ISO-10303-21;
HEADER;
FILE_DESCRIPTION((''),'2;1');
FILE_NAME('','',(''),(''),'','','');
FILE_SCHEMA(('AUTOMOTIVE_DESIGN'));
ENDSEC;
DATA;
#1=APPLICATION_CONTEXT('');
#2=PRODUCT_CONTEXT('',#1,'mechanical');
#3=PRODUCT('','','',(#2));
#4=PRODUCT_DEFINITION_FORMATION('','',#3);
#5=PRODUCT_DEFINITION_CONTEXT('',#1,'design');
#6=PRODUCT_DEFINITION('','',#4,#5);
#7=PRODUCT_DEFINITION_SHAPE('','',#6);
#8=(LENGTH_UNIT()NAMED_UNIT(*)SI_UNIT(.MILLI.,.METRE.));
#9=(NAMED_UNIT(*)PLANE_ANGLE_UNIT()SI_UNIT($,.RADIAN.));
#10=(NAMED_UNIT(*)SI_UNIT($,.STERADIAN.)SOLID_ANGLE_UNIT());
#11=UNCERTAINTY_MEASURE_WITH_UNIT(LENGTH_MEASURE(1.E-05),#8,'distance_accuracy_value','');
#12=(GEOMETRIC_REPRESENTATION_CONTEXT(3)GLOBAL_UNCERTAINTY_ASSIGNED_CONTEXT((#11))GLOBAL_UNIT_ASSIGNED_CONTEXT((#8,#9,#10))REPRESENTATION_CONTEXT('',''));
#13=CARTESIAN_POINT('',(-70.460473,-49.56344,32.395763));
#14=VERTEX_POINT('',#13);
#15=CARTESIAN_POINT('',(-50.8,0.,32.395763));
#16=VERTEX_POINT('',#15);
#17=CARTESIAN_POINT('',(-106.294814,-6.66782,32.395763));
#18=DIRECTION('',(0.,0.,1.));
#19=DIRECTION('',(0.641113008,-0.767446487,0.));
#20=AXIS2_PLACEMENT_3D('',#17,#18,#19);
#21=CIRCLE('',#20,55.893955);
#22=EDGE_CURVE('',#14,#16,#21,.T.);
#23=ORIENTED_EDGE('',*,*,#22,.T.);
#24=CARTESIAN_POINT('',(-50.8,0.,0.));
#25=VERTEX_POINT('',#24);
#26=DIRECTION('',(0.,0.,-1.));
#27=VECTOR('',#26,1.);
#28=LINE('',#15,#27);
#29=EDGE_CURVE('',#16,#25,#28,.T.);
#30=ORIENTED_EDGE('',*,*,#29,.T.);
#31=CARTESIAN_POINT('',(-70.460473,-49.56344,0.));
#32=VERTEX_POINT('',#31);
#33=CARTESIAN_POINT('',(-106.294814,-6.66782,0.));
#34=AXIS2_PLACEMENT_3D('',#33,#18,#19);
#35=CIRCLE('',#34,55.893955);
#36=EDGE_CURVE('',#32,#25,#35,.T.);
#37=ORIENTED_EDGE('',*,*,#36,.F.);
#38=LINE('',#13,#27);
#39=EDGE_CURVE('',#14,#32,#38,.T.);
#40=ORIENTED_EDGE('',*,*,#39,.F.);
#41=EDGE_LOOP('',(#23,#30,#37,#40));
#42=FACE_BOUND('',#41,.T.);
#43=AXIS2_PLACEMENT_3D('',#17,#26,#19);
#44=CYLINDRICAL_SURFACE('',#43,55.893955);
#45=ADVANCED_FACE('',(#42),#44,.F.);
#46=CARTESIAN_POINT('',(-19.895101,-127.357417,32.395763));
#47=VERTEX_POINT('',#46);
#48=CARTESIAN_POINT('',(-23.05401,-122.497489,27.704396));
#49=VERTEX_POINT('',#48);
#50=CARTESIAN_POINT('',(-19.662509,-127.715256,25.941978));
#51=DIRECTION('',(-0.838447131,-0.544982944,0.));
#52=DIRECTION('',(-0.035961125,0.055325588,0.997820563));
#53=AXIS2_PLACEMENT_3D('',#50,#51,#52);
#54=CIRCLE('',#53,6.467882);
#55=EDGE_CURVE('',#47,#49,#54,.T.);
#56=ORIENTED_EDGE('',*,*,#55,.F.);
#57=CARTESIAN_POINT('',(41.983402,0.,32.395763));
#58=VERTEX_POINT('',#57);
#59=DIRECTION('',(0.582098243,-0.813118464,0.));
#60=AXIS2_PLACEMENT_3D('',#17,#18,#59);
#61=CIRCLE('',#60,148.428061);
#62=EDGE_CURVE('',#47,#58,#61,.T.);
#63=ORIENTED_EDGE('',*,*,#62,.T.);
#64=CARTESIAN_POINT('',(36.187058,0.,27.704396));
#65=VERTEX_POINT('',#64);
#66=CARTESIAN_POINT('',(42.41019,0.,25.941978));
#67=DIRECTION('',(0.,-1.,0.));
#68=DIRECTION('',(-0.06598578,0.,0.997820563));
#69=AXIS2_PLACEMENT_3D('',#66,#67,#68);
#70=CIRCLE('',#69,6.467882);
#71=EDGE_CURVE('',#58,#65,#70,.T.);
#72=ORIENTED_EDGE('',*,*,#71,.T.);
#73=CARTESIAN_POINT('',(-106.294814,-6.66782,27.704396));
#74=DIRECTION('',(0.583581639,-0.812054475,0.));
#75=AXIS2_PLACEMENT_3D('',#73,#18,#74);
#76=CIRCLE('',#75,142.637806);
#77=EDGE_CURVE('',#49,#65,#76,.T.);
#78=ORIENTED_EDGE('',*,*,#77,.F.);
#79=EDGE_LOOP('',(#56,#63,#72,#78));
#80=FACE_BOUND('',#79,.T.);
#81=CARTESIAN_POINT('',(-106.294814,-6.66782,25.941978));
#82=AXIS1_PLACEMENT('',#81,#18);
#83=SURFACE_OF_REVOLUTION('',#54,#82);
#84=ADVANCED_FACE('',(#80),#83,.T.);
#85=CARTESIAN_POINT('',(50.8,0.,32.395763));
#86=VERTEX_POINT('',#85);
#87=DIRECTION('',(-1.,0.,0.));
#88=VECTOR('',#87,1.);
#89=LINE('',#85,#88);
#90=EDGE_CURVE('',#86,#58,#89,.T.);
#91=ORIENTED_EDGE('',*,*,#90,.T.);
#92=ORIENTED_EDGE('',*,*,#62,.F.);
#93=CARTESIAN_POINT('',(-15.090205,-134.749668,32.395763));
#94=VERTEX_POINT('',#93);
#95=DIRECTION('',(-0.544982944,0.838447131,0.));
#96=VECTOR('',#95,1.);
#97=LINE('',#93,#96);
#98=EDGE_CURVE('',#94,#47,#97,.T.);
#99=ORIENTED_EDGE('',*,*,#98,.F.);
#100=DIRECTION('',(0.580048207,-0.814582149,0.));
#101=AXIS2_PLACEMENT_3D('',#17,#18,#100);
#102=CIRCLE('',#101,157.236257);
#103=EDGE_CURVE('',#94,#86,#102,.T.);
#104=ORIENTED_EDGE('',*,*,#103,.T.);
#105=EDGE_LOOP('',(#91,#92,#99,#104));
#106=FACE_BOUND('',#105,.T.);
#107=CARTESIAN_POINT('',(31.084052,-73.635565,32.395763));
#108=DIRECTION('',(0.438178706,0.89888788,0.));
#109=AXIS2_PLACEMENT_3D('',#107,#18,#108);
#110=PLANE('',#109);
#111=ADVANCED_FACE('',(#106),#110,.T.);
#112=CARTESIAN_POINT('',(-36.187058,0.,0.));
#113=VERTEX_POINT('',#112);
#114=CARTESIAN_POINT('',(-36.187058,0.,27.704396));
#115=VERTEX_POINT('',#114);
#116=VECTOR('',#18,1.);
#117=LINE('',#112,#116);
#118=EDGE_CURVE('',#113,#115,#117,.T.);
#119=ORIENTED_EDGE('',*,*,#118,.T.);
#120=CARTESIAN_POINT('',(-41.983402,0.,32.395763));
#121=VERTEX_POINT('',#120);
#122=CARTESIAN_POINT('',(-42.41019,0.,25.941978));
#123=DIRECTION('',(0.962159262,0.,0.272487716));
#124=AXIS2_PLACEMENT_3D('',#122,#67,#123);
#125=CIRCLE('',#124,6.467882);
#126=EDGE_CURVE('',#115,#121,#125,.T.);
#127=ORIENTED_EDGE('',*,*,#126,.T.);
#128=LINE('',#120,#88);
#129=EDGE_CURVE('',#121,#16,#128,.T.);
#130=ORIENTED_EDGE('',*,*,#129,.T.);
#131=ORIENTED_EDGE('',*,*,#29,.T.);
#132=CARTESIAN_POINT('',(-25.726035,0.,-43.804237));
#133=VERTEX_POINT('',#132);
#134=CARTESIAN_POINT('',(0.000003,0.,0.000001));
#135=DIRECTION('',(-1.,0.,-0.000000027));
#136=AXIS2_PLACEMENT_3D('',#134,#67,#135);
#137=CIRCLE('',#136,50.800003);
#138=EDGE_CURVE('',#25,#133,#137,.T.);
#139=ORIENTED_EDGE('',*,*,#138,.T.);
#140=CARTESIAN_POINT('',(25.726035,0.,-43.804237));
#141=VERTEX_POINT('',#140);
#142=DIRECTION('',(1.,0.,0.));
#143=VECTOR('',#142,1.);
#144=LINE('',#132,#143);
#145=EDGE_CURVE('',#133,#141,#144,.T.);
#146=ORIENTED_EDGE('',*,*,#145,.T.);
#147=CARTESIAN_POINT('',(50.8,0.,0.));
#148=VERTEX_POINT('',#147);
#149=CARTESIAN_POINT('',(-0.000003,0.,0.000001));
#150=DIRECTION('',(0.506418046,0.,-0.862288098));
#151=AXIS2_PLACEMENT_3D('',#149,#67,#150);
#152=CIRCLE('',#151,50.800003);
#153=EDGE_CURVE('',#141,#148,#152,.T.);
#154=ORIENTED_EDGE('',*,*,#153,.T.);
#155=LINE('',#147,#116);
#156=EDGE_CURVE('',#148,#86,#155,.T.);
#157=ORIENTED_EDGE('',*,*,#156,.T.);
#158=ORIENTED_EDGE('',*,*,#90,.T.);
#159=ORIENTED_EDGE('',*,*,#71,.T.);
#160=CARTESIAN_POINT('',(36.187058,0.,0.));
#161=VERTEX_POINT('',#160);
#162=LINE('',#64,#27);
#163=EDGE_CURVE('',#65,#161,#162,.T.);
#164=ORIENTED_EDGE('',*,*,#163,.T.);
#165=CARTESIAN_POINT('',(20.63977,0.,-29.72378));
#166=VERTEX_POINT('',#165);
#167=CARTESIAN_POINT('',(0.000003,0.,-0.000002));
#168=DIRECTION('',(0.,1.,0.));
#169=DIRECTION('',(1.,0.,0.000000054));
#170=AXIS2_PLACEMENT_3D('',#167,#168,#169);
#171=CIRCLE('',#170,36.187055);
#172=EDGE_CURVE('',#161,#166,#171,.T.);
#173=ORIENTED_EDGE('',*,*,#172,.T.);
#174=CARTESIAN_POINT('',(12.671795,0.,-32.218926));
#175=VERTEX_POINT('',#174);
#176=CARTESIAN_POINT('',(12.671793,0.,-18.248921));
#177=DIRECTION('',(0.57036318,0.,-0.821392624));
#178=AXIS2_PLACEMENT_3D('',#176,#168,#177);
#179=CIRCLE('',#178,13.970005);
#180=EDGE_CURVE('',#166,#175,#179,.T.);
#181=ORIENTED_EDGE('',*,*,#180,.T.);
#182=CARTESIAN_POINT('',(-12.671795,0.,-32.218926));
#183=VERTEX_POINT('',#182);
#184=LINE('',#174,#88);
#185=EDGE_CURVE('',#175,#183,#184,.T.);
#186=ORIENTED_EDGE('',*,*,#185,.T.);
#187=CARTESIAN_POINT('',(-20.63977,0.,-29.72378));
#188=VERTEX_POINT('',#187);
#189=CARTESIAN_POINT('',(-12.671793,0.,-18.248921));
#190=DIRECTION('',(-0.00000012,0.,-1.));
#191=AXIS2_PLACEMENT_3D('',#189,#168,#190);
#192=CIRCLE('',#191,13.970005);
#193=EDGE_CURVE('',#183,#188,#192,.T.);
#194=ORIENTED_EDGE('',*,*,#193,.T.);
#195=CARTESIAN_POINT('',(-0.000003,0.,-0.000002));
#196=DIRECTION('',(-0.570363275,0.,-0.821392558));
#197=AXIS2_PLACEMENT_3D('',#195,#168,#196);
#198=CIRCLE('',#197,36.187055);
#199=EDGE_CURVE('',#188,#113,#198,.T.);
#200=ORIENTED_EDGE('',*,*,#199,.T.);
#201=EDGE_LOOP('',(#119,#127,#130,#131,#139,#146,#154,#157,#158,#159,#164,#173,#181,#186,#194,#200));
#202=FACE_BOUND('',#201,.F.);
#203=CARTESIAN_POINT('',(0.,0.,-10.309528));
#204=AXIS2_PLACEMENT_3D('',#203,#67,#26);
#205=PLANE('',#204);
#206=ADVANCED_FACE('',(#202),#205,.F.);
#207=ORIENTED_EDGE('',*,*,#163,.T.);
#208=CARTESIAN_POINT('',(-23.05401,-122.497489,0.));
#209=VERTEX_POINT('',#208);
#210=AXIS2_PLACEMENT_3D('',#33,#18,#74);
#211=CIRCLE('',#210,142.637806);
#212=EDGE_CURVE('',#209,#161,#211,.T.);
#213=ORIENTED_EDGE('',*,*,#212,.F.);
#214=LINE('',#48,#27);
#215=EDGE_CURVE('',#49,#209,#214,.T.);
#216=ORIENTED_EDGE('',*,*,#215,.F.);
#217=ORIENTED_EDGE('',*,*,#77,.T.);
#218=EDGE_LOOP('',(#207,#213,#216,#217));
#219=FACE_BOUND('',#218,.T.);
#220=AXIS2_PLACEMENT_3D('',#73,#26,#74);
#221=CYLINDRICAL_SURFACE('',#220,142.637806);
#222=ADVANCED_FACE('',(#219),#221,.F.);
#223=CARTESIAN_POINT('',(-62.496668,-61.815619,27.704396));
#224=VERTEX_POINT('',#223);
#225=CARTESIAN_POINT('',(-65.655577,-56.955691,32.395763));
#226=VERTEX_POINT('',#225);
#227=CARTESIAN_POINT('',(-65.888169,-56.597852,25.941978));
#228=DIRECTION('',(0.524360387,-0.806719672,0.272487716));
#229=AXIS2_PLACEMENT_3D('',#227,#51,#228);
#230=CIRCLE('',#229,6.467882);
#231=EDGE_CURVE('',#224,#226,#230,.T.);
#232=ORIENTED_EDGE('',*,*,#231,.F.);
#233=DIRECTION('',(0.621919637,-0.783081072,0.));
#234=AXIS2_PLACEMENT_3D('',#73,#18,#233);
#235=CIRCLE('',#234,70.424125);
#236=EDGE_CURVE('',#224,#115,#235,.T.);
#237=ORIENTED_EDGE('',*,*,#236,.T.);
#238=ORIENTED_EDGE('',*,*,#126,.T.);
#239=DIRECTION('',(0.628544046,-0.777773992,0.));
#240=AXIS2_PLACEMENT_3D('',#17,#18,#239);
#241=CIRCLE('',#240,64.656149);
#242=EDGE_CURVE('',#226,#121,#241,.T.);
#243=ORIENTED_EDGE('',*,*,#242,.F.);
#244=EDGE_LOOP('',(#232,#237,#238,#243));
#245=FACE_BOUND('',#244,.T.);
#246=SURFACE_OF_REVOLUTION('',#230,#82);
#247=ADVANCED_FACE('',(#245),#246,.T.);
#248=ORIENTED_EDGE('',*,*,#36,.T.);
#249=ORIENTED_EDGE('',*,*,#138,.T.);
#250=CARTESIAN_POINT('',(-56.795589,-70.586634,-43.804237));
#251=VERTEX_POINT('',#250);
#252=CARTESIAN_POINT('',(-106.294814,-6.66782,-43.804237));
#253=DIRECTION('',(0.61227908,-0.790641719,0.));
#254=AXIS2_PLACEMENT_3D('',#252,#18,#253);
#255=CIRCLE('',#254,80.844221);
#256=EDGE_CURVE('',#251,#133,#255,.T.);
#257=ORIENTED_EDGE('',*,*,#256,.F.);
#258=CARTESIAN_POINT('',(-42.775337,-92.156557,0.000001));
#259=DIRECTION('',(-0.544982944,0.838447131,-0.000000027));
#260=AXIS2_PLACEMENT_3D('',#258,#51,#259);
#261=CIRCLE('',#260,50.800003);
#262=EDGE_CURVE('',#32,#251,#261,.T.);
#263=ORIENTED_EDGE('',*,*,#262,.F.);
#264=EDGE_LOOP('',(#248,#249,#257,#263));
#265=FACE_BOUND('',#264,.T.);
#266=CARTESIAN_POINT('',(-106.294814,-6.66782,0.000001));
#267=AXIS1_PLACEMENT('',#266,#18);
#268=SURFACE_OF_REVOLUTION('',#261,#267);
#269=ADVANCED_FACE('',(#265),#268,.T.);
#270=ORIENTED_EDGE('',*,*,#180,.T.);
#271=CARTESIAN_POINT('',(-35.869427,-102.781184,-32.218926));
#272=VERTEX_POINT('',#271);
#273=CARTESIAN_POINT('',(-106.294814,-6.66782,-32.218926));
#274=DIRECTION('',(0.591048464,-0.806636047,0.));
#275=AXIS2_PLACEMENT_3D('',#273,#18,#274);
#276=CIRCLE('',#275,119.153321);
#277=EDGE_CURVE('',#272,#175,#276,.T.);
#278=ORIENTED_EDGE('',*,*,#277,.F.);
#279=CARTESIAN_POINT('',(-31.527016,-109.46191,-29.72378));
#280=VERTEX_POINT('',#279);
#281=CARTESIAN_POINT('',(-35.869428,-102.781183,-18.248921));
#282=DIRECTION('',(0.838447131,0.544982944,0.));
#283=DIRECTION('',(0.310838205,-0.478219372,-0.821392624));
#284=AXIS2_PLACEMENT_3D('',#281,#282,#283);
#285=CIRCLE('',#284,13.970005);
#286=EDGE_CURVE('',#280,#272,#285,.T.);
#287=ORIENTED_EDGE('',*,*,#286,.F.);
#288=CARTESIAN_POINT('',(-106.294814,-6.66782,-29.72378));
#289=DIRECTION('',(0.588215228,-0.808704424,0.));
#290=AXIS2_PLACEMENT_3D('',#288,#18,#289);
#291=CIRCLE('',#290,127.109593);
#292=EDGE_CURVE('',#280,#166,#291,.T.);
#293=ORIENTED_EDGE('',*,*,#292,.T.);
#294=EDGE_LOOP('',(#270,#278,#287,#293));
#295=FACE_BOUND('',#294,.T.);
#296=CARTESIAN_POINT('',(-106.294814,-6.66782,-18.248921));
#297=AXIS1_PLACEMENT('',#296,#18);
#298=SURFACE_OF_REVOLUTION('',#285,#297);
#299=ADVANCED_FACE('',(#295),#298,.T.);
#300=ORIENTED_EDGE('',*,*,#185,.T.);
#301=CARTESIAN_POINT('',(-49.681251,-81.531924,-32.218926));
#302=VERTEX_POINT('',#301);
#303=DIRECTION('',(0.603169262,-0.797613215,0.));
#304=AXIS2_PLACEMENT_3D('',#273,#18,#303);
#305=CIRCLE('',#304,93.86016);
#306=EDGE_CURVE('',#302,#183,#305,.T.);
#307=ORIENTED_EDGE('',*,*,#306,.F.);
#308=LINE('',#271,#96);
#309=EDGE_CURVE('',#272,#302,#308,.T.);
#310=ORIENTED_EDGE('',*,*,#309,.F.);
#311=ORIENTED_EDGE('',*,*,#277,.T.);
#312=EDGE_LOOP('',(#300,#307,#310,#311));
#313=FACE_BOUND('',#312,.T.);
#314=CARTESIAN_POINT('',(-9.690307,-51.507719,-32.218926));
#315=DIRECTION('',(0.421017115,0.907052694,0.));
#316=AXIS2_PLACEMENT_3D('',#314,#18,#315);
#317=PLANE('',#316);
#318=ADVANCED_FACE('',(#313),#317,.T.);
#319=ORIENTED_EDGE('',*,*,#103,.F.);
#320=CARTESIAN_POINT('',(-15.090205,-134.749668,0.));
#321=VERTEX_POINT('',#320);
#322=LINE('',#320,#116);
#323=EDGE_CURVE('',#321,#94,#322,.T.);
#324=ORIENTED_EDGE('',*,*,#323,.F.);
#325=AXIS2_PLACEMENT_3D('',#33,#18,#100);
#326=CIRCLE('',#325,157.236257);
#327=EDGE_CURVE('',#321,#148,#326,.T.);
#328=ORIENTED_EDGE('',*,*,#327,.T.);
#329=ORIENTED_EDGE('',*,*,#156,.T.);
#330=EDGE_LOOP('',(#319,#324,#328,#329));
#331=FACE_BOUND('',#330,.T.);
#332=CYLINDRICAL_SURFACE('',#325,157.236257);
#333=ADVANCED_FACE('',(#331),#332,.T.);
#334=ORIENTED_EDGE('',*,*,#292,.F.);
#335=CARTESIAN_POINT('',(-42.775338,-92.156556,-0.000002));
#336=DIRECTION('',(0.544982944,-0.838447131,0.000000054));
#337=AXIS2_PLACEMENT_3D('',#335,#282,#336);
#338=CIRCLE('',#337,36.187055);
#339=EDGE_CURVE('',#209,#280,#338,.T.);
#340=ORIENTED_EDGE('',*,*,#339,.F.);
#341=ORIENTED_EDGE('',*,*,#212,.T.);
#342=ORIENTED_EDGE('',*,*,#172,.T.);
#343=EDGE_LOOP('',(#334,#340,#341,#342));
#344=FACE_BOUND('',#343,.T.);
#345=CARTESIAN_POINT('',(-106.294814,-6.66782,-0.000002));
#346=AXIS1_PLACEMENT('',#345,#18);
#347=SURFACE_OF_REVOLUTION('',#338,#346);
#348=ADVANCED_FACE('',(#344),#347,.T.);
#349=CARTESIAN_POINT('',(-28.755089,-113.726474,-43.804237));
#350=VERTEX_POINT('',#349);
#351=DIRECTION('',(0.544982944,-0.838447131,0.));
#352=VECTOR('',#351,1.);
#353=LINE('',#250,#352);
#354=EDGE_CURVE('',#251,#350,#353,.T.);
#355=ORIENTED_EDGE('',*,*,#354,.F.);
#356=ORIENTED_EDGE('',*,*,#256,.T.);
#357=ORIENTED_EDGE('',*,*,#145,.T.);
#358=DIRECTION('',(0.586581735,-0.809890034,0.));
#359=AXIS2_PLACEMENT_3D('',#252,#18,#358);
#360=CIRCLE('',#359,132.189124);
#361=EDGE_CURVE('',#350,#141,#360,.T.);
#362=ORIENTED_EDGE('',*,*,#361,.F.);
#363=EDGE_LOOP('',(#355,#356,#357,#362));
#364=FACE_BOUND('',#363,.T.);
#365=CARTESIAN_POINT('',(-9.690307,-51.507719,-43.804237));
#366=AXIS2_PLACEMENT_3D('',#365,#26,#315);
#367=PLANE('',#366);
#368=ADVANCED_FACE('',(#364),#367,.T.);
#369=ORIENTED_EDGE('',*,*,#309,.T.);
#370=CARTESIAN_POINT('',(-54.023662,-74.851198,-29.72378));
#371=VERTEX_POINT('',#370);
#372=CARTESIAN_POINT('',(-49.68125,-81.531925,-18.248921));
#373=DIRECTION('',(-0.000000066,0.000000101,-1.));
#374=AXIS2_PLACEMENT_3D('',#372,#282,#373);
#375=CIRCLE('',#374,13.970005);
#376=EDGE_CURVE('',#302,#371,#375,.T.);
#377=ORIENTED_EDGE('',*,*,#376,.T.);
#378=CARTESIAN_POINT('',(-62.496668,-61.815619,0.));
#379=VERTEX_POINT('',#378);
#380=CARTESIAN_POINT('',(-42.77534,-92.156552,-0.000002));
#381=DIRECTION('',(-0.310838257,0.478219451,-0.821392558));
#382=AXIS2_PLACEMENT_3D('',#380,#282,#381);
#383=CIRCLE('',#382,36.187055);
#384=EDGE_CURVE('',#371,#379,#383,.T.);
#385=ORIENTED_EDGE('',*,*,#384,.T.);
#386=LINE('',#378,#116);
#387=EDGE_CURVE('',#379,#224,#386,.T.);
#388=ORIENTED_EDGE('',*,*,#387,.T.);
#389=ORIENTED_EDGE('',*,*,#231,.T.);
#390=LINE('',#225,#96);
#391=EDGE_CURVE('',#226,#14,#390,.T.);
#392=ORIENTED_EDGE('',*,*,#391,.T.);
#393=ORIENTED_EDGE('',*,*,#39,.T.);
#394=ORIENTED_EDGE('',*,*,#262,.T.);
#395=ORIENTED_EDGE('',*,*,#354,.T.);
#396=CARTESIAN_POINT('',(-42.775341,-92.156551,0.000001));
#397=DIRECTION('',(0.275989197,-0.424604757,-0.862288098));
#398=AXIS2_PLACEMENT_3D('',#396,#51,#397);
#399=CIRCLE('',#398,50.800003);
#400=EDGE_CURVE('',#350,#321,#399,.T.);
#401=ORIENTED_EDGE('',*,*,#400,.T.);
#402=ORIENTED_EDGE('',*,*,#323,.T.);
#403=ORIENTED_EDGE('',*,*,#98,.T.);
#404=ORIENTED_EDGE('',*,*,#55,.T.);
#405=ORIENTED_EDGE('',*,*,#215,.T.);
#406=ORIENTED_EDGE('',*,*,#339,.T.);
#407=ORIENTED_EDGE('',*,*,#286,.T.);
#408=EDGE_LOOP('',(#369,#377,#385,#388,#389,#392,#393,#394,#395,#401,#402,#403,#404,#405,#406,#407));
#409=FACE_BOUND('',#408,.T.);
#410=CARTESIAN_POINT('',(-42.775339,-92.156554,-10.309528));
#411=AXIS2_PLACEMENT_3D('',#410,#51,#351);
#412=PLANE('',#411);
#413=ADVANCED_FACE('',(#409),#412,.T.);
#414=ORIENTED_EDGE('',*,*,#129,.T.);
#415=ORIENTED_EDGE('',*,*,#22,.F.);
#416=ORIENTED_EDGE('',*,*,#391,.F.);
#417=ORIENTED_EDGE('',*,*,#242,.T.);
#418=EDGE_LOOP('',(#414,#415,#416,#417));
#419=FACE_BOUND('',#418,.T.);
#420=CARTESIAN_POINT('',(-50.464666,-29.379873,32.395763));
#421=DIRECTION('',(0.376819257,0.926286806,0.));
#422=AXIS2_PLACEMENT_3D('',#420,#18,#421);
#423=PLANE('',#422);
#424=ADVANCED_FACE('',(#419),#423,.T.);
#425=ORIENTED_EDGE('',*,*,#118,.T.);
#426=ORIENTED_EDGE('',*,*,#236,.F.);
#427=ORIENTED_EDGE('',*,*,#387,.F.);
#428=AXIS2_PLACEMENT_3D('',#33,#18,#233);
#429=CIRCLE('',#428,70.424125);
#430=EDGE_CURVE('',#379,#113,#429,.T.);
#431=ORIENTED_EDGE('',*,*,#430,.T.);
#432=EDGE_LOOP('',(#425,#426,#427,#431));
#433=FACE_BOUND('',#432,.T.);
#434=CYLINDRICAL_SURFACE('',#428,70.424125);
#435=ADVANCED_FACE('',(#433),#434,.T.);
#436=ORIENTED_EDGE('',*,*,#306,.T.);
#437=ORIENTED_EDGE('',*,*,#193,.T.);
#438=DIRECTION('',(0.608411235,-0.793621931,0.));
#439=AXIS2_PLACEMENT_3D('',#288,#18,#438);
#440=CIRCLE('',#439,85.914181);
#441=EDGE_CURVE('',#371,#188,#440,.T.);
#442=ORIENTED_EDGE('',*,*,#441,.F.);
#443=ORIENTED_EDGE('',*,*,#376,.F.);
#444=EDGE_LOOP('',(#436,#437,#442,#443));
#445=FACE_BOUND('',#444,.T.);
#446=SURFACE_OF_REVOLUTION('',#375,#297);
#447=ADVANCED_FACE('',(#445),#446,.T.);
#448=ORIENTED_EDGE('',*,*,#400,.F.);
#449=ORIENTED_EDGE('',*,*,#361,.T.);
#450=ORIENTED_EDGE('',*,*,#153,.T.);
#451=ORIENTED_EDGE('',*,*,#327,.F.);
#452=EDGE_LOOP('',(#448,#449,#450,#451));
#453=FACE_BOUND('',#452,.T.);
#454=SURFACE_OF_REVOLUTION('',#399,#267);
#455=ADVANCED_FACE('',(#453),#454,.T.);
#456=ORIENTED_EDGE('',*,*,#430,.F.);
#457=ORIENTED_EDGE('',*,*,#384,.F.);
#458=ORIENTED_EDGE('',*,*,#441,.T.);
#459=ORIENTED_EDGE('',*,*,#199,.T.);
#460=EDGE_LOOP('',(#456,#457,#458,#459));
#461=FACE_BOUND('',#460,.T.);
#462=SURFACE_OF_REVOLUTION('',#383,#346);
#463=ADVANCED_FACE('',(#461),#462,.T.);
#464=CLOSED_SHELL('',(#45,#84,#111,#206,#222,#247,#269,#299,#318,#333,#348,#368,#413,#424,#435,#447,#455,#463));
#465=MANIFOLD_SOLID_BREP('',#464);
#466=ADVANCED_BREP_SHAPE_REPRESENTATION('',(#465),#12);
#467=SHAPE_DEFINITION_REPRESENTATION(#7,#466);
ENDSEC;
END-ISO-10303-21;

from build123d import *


with BuildPart() as f2:
    # F2: sweep along a path in F1
    with BuildLine(Plane.XY) as f2_path:
        ThreePointArc((-42.775339, -92.156554), (-9.690307, -51.507719), (0, 0))
    # F0 (on Front) → F2 (sweep)
    with BuildSketch(Plane.XZ):
        with BuildLine():
            ThreePointArc((-20.63977, -29.72378), (-32.065525, -16.772159), (-36.187058, 0))
            Line((-36.187058, 0), (-36.187058, 27.704396))
            ThreePointArc((-36.187058, 27.704396), (-38.341088, 30.969492), (-41.983402, 32.395763))
            Line((-41.983402, 32.395763), (-50.8, 32.395763))
            Line((-50.8, 32.395763), (-50.8, 0))
            ThreePointArc((-50.8, 0), (-44.088108, -25.236456), (-25.726035, -43.804237))
            Line((-25.726035, -43.804237), (0, -43.804237))
            Line((0, -43.804237), (25.726035, -43.804237))
            ThreePointArc((25.726035, -43.804237), (44.088108, -25.236456), (50.8, 0))
            Line((50.8, 0), (50.8, 32.395763))
            Line((50.8, 32.395763), (41.983402, 32.395763))
            ThreePointArc((41.983402, 32.395763), (38.341088, 30.969492), (36.187058, 27.704396))
            Line((36.187058, 27.704396), (36.187058, 0))
            ThreePointArc((36.187058, 0), (32.065525, -16.772159), (20.63977, -29.72378))
            ThreePointArc((20.63977, -29.72378), (16.846551, -31.580554), (12.671795, -32.218926))
            Line((12.671795, -32.218926), (0, -32.218926))
            Line((0, -32.218926), (-12.671795, -32.218926))
            ThreePointArc((-12.671795, -32.218926), (-16.846551, -31.580554), (-20.63977, -29.72378))
        make_face()
    sweep(path=f2_path.line)


solid = f2.part
